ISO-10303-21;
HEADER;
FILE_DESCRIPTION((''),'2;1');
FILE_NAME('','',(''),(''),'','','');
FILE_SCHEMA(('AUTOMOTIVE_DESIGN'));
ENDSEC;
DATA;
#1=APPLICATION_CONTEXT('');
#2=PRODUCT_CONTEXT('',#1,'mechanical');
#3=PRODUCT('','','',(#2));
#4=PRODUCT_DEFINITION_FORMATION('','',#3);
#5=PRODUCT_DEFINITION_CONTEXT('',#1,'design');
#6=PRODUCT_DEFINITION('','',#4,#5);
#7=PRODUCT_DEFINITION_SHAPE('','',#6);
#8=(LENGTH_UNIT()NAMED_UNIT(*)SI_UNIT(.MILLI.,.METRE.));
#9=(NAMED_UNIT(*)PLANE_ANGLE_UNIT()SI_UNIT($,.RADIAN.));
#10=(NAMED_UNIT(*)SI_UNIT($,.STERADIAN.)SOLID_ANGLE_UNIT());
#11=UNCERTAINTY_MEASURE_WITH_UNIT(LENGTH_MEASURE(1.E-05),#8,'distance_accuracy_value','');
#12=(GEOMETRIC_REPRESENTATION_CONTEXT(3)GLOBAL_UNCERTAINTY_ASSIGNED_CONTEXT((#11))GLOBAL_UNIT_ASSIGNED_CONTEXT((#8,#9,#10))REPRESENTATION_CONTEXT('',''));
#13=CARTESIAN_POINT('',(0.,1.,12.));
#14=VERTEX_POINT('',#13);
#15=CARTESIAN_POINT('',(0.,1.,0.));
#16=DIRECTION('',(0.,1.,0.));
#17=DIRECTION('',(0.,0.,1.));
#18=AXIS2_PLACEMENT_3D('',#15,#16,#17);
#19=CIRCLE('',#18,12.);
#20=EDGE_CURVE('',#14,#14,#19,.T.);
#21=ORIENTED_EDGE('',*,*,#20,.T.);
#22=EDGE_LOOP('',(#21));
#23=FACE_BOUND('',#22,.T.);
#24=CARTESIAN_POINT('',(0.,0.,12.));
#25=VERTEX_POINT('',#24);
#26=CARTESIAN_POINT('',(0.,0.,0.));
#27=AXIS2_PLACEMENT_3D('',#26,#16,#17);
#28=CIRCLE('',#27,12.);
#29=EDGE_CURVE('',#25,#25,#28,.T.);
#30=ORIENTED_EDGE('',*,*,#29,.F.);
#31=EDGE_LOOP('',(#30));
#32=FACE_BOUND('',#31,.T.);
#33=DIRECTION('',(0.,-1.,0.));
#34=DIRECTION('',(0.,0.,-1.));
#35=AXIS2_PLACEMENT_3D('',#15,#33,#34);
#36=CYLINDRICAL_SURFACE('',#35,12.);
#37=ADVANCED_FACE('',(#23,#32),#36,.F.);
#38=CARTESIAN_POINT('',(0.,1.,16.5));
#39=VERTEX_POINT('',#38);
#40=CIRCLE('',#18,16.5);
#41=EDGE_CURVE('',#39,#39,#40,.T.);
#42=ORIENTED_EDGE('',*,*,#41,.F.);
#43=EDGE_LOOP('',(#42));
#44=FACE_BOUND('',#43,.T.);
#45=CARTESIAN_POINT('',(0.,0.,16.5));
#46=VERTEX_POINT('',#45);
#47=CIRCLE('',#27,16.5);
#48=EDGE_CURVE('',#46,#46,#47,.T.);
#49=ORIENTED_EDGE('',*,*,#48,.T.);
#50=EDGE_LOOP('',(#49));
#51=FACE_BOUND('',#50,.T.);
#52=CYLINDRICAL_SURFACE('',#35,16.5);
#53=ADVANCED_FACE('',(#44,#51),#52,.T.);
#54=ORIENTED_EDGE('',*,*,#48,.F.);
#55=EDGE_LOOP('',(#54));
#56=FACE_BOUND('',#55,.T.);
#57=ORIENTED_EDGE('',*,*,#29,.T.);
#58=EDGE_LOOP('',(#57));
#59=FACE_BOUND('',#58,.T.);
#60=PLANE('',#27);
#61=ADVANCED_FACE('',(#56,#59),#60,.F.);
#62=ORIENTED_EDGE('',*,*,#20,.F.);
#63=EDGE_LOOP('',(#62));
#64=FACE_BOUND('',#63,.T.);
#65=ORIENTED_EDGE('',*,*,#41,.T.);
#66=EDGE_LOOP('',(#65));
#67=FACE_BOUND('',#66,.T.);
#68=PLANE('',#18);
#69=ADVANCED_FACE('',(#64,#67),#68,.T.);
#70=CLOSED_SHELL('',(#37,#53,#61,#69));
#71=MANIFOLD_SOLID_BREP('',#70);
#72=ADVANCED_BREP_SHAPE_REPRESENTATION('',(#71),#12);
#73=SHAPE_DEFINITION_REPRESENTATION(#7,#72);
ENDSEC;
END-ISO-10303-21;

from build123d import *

# Parameters (mm, degrees)
SKETCH2_R           = 16.5
SKETCH2_R_2         = 12
BOSS_EXTRUDE1_DEPTH = 1


with BuildPart() as part:
    # Sketch2 → Boss-Extrude1 (new body)
    with BuildSketch(Plane(origin=(0, 0, 0), x_dir=(1, 0, 0), z_dir=(0, 1, 0))):
        with Locations(Location((0, 0, 0), (0, 0, 270))):
            Circle(SKETCH2_R)
        with Locations(Location((0, 0, 0), (0, 0, 270))):
            Circle(SKETCH2_R_2, mode=Mode.SUBTRACT)
    extrude(amount=BOSS_EXTRUDE1_DEPTH)


solid = part.part
